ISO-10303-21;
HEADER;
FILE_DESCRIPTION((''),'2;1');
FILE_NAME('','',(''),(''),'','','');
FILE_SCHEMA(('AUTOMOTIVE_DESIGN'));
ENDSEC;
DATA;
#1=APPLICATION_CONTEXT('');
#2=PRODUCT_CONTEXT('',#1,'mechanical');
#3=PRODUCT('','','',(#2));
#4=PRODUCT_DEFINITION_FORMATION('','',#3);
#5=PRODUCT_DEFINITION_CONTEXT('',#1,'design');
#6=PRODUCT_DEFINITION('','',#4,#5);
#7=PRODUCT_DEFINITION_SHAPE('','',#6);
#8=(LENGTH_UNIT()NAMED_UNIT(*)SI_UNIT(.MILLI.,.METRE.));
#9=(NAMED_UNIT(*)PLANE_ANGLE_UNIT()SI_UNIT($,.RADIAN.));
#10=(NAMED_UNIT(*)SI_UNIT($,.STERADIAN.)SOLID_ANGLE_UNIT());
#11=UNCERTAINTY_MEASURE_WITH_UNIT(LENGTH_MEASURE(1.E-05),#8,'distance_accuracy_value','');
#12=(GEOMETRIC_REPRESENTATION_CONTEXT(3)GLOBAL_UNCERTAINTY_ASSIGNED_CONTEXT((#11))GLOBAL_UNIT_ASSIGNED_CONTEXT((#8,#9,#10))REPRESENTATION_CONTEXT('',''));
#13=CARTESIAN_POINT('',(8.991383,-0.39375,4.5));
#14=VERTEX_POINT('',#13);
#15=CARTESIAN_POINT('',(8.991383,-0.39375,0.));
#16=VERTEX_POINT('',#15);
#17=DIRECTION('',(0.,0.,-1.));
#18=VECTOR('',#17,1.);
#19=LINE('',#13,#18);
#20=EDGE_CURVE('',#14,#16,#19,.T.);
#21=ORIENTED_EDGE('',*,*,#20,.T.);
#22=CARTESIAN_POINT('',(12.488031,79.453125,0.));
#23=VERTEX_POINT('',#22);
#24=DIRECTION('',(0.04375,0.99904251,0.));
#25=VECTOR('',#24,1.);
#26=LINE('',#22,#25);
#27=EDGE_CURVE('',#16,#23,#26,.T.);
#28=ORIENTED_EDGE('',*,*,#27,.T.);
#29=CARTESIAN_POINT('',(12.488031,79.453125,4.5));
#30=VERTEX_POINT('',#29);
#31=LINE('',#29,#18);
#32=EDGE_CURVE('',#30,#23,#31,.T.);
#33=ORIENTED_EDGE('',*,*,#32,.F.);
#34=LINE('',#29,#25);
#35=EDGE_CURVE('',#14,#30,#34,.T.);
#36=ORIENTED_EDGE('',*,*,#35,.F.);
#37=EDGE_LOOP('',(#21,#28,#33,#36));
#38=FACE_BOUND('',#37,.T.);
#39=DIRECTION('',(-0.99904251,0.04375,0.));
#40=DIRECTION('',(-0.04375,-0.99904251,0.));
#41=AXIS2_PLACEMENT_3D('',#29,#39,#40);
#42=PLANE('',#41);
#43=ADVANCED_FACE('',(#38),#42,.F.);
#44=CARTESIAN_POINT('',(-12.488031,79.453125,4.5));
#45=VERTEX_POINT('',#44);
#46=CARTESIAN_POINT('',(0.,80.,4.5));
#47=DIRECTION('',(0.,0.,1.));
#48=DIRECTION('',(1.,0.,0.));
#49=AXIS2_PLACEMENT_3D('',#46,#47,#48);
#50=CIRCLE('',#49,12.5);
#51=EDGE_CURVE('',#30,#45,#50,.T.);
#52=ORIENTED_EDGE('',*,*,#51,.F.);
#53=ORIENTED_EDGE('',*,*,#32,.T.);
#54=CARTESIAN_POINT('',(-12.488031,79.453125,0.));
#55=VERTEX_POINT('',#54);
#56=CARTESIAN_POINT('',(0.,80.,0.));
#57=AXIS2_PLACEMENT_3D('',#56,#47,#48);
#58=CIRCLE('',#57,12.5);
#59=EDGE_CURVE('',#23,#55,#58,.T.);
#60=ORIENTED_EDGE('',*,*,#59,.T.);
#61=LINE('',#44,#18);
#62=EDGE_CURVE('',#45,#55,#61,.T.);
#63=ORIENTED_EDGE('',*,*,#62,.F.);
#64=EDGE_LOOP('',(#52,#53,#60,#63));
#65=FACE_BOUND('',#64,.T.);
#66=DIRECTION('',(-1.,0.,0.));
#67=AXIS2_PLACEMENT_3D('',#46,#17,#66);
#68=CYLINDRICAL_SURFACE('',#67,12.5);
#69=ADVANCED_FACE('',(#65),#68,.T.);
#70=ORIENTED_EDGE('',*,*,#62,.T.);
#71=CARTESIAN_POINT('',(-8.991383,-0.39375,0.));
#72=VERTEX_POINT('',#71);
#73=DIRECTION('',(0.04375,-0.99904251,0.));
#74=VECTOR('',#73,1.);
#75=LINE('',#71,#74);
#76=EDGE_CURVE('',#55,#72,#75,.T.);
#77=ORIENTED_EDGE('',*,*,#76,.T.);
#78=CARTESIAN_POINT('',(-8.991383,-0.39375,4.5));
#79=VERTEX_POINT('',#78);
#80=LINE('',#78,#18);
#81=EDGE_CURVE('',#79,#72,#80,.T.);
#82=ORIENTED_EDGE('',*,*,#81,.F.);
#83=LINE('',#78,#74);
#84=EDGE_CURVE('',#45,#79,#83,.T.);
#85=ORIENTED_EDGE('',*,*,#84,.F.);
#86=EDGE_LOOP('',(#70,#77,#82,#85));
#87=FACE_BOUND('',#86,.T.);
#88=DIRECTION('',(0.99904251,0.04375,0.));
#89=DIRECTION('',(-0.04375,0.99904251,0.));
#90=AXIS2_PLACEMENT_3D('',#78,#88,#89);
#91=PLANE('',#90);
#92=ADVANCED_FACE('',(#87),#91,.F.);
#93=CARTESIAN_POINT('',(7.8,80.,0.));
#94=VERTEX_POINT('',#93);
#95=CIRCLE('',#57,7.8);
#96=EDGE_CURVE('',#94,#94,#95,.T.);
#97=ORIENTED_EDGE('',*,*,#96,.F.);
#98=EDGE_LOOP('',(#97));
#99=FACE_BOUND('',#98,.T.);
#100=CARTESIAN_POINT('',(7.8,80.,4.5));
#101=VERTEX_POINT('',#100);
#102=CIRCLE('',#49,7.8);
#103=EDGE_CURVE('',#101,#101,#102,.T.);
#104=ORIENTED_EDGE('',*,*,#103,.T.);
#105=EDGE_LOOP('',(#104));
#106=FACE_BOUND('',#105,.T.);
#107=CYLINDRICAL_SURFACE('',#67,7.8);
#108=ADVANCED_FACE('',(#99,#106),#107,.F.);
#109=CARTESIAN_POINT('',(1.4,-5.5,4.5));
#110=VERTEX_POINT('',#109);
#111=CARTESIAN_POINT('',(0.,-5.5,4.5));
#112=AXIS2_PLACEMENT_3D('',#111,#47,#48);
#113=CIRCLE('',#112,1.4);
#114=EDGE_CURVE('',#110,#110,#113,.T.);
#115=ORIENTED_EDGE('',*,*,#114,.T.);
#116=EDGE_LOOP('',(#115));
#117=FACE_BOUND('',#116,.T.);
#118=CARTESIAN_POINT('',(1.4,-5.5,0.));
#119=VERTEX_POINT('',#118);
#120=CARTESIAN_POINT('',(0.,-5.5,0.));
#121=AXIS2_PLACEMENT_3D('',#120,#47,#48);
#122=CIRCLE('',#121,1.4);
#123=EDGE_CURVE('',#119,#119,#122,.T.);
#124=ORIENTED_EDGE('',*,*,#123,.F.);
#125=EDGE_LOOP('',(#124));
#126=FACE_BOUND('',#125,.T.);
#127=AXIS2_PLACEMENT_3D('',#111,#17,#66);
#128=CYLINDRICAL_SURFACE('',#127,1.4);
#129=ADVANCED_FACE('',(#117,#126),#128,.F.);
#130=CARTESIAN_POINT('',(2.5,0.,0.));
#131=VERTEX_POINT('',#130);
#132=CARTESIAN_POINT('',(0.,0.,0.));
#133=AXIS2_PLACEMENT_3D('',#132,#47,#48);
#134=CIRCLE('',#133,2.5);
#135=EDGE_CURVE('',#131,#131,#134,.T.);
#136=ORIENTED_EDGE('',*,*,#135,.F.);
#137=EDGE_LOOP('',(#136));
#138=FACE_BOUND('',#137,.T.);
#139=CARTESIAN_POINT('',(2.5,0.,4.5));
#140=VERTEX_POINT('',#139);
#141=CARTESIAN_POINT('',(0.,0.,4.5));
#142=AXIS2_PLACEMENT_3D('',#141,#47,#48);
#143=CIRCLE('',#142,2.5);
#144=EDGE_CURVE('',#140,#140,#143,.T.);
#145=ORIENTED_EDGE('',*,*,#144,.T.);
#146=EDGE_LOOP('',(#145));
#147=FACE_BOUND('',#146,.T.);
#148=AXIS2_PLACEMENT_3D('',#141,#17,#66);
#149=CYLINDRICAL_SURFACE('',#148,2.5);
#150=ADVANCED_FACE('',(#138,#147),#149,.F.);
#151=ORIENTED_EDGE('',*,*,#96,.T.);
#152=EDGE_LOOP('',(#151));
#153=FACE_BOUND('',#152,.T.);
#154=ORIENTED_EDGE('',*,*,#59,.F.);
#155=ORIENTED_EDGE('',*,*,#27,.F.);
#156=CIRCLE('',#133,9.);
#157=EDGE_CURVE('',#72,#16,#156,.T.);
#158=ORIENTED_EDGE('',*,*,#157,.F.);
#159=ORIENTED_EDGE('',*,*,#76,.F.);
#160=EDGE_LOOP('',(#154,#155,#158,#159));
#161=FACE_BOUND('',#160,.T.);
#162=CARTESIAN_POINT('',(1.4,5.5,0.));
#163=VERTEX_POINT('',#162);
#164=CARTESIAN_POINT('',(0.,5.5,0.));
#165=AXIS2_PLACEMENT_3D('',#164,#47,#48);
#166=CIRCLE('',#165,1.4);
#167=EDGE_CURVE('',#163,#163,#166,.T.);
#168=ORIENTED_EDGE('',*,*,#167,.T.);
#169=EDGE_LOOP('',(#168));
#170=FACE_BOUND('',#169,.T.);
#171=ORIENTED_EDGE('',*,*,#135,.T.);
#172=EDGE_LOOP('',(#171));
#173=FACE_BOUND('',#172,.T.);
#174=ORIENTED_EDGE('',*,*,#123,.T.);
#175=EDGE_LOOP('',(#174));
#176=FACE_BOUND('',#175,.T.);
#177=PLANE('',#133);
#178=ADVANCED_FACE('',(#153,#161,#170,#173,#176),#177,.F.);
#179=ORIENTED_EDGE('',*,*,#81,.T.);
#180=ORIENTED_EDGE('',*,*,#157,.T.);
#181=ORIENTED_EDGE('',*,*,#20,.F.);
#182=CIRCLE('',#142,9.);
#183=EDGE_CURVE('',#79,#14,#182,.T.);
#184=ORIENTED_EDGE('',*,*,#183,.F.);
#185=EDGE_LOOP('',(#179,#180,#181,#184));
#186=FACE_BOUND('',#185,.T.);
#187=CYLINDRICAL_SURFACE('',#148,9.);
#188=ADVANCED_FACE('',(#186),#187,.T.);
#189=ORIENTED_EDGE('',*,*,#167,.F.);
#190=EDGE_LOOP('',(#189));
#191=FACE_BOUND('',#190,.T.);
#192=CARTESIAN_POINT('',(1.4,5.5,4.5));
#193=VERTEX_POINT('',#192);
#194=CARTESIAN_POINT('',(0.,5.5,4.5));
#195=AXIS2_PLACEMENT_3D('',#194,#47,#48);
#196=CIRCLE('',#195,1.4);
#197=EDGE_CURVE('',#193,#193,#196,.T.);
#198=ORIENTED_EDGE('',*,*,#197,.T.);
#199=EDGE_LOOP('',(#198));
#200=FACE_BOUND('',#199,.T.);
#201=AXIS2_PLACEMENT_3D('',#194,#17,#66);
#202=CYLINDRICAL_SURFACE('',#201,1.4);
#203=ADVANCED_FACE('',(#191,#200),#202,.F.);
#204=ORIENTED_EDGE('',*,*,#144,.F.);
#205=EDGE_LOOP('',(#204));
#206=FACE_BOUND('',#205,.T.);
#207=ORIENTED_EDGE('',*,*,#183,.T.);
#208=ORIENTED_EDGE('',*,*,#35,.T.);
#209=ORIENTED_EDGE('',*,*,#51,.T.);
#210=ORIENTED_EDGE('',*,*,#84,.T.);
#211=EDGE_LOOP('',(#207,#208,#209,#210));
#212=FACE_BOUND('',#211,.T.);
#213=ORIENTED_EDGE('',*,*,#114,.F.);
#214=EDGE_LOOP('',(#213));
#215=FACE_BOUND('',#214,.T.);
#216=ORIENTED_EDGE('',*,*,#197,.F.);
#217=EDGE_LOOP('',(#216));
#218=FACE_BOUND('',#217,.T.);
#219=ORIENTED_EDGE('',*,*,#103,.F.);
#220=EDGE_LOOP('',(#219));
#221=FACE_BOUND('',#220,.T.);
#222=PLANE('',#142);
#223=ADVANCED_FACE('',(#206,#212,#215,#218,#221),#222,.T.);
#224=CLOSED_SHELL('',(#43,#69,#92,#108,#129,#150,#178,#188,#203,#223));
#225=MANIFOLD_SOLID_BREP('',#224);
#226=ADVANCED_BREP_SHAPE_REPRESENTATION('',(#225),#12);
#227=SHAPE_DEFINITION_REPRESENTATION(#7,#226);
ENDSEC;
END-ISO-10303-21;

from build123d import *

# Parameters (mm, degrees)
SKETCH1_R           = 7.8
SKETCH1_R_2         = 2.5
SKETCH1_R_3         = 1.4
BOSS_EXTRUDE1_DEPTH = 4.5


with BuildPart() as part:
    # Sketch1 → Boss-Extrude1 (new body)
    with BuildSketch(Plane.XY):
        with BuildLine():
            Line((-8.991382593, -0.39375), (-12.488031379, 79.453125))
            ThreePointArc((-12.488031379, 79.453125), (0, 92.5), (12.488031379, 79.453125))
            Line((12.488031379, 79.453125), (8.991382593, -0.39375))
            ThreePointArc((8.991382593, -0.39375), (0, -9), (-8.991382593, -0.39375))
        make_face()
        with Locations((0, 80)):
            Circle(SKETCH1_R, mode=Mode.SUBTRACT)
        Circle(SKETCH1_R_2, mode=Mode.SUBTRACT)
        with Locations((0, 5.5)):
            Circle(SKETCH1_R_3, mode=Mode.SUBTRACT)
        with Locations((0, -5.5)):
            Circle(SKETCH1_R_3, mode=Mode.SUBTRACT)
    extrude(amount=BOSS_EXTRUDE1_DEPTH)


solid = part.part
